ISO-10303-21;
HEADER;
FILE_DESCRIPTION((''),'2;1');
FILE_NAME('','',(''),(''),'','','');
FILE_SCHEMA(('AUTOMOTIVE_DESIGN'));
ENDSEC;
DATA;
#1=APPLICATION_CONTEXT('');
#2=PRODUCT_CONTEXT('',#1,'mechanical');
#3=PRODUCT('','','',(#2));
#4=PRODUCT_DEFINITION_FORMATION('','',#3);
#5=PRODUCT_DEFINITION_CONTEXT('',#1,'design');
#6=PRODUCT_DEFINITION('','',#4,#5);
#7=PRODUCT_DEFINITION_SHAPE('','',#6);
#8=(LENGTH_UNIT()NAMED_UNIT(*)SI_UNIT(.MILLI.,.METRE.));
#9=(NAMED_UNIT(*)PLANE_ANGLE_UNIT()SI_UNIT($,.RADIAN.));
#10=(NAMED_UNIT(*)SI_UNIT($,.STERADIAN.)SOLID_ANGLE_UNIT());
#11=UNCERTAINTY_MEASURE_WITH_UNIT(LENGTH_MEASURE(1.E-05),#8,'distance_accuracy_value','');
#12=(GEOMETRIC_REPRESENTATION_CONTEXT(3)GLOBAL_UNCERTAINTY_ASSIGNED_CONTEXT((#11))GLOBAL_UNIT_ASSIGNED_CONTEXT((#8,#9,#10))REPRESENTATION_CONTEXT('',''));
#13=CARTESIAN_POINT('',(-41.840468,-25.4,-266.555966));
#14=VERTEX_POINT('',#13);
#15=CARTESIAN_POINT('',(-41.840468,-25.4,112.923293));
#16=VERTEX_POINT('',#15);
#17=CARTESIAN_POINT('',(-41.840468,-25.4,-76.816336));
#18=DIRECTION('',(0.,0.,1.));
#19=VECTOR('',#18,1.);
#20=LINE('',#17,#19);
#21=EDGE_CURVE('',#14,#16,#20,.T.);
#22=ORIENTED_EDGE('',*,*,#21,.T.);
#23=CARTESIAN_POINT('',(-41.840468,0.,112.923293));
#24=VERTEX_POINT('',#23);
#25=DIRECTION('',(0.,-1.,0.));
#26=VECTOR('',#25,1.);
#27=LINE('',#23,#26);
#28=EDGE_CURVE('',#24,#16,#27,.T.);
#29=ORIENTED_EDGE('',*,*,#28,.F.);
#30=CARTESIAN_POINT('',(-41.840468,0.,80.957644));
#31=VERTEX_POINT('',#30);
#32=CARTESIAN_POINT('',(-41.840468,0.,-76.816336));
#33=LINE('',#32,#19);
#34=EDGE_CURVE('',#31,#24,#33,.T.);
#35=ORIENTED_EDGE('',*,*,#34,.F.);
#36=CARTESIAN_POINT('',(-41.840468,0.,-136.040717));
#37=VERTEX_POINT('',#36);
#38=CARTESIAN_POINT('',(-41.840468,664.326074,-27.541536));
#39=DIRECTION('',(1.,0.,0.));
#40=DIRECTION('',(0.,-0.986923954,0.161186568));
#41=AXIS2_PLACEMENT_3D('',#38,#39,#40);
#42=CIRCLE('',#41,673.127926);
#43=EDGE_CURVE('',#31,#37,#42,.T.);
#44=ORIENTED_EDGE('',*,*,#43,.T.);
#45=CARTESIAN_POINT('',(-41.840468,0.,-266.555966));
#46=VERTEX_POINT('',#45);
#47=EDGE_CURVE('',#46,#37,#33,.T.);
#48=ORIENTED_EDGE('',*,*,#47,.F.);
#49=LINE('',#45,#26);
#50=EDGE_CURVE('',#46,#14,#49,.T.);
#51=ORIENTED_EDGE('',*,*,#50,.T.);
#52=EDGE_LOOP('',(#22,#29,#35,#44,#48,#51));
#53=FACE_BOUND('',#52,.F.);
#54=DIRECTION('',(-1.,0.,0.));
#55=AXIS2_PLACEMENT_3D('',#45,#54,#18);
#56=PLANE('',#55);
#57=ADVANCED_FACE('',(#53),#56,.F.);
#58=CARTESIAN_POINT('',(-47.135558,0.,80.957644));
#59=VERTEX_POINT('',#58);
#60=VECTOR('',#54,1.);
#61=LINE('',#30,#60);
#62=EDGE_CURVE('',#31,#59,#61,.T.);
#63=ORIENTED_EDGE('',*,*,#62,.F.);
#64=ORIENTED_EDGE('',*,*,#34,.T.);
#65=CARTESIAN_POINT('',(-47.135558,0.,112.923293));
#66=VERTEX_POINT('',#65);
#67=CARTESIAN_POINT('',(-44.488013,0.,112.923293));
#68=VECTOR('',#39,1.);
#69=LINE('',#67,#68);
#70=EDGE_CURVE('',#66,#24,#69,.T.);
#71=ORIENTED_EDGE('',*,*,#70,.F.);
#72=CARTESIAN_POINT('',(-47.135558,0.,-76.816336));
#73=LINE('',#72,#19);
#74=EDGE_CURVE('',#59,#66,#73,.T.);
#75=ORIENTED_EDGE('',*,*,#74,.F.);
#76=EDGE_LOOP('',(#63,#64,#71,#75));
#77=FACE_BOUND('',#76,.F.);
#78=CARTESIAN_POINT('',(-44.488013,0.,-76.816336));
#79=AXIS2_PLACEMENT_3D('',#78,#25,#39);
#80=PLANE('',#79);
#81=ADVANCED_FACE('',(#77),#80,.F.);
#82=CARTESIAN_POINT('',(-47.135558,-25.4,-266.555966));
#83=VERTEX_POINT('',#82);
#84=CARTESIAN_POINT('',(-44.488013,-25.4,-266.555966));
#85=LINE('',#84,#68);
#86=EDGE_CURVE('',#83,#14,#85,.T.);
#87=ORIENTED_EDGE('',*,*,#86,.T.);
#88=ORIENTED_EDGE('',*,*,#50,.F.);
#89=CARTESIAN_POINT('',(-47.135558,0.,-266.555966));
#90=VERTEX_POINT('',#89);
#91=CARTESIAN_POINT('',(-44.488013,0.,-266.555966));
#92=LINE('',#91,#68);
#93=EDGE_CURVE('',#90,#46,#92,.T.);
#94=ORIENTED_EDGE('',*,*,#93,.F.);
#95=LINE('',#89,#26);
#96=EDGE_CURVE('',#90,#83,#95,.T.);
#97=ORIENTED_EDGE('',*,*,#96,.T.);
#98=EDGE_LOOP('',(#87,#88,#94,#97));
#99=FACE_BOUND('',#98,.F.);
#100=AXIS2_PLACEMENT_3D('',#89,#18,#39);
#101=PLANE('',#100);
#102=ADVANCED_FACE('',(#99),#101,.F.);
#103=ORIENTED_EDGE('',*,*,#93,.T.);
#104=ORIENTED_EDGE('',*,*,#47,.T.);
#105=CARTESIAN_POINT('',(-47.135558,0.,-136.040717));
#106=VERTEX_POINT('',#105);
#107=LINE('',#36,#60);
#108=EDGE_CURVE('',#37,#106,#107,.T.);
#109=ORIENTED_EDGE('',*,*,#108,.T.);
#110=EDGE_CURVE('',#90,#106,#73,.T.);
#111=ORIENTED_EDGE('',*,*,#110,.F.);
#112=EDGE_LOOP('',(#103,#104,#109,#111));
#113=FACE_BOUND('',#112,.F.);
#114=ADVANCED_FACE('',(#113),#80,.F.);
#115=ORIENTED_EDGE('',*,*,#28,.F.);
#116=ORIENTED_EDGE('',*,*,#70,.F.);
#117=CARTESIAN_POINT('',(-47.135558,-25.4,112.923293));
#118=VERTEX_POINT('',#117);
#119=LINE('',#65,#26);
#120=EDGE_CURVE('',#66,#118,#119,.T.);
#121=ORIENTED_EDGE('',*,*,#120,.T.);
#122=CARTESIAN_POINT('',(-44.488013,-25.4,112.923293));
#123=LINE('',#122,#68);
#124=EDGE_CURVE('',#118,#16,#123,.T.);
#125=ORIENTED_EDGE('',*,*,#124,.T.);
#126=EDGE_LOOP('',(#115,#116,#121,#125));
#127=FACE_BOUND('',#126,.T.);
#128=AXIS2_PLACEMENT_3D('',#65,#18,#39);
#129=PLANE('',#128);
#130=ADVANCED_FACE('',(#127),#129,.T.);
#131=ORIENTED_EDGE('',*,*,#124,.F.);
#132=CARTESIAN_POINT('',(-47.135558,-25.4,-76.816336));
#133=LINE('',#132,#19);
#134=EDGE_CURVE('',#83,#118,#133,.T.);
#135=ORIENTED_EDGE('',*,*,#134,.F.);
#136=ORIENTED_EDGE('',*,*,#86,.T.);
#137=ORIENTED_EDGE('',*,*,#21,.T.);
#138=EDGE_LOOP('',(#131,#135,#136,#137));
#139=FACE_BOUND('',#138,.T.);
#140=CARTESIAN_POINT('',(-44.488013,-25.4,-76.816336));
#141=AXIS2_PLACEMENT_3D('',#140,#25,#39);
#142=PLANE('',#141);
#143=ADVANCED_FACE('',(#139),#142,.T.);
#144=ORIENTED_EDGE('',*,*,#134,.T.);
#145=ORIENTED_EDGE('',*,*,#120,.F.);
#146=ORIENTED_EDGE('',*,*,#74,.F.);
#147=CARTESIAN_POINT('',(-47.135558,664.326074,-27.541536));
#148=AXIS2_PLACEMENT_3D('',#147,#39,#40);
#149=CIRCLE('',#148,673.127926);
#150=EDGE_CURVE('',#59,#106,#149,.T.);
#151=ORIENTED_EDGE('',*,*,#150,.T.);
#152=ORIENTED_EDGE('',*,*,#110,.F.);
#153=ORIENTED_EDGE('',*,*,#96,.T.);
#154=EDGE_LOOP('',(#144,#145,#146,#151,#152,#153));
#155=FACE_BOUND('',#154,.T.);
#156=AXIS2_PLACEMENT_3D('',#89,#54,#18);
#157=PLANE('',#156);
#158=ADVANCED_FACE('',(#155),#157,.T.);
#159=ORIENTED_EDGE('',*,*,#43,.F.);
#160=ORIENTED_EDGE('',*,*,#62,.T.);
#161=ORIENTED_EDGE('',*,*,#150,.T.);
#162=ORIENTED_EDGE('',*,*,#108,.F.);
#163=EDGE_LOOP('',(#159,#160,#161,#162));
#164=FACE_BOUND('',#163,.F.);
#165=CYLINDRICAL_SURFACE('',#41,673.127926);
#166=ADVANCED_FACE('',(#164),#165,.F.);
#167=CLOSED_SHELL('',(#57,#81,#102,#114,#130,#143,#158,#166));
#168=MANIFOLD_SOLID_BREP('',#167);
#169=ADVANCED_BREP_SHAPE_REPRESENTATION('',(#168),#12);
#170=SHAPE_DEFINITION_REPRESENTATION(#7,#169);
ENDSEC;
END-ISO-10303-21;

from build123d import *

# Parameters (mm, degrees)
F0_W     = 5.29509
F0_H     = 379.479259
F1_DEPTH = 25.4
F3_DEPTH = 25.4


with BuildPart() as f1:
    # F0 (on Front) → F1 (new body)
    with BuildSketch(Plane.XZ):
        with Locations((-44.488013, -76.816336)):
            Rectangle(F0_W, F0_H)
    extrude(amount=F1_DEPTH)

    # F2 (on face) → F3 (cut)
    with BuildSketch(Plane.YZ.offset(-41.840468)):
        with BuildLine():
            Line((0, -136.040717), (0, 80.957644))
            ThreePointArc((0, 80.957644), (-8.801852, -27.541537), (0, -136.040717))
        make_face()
    extrude(amount=-F3_DEPTH, mode=Mode.SUBTRACT)


solid = f1.part
